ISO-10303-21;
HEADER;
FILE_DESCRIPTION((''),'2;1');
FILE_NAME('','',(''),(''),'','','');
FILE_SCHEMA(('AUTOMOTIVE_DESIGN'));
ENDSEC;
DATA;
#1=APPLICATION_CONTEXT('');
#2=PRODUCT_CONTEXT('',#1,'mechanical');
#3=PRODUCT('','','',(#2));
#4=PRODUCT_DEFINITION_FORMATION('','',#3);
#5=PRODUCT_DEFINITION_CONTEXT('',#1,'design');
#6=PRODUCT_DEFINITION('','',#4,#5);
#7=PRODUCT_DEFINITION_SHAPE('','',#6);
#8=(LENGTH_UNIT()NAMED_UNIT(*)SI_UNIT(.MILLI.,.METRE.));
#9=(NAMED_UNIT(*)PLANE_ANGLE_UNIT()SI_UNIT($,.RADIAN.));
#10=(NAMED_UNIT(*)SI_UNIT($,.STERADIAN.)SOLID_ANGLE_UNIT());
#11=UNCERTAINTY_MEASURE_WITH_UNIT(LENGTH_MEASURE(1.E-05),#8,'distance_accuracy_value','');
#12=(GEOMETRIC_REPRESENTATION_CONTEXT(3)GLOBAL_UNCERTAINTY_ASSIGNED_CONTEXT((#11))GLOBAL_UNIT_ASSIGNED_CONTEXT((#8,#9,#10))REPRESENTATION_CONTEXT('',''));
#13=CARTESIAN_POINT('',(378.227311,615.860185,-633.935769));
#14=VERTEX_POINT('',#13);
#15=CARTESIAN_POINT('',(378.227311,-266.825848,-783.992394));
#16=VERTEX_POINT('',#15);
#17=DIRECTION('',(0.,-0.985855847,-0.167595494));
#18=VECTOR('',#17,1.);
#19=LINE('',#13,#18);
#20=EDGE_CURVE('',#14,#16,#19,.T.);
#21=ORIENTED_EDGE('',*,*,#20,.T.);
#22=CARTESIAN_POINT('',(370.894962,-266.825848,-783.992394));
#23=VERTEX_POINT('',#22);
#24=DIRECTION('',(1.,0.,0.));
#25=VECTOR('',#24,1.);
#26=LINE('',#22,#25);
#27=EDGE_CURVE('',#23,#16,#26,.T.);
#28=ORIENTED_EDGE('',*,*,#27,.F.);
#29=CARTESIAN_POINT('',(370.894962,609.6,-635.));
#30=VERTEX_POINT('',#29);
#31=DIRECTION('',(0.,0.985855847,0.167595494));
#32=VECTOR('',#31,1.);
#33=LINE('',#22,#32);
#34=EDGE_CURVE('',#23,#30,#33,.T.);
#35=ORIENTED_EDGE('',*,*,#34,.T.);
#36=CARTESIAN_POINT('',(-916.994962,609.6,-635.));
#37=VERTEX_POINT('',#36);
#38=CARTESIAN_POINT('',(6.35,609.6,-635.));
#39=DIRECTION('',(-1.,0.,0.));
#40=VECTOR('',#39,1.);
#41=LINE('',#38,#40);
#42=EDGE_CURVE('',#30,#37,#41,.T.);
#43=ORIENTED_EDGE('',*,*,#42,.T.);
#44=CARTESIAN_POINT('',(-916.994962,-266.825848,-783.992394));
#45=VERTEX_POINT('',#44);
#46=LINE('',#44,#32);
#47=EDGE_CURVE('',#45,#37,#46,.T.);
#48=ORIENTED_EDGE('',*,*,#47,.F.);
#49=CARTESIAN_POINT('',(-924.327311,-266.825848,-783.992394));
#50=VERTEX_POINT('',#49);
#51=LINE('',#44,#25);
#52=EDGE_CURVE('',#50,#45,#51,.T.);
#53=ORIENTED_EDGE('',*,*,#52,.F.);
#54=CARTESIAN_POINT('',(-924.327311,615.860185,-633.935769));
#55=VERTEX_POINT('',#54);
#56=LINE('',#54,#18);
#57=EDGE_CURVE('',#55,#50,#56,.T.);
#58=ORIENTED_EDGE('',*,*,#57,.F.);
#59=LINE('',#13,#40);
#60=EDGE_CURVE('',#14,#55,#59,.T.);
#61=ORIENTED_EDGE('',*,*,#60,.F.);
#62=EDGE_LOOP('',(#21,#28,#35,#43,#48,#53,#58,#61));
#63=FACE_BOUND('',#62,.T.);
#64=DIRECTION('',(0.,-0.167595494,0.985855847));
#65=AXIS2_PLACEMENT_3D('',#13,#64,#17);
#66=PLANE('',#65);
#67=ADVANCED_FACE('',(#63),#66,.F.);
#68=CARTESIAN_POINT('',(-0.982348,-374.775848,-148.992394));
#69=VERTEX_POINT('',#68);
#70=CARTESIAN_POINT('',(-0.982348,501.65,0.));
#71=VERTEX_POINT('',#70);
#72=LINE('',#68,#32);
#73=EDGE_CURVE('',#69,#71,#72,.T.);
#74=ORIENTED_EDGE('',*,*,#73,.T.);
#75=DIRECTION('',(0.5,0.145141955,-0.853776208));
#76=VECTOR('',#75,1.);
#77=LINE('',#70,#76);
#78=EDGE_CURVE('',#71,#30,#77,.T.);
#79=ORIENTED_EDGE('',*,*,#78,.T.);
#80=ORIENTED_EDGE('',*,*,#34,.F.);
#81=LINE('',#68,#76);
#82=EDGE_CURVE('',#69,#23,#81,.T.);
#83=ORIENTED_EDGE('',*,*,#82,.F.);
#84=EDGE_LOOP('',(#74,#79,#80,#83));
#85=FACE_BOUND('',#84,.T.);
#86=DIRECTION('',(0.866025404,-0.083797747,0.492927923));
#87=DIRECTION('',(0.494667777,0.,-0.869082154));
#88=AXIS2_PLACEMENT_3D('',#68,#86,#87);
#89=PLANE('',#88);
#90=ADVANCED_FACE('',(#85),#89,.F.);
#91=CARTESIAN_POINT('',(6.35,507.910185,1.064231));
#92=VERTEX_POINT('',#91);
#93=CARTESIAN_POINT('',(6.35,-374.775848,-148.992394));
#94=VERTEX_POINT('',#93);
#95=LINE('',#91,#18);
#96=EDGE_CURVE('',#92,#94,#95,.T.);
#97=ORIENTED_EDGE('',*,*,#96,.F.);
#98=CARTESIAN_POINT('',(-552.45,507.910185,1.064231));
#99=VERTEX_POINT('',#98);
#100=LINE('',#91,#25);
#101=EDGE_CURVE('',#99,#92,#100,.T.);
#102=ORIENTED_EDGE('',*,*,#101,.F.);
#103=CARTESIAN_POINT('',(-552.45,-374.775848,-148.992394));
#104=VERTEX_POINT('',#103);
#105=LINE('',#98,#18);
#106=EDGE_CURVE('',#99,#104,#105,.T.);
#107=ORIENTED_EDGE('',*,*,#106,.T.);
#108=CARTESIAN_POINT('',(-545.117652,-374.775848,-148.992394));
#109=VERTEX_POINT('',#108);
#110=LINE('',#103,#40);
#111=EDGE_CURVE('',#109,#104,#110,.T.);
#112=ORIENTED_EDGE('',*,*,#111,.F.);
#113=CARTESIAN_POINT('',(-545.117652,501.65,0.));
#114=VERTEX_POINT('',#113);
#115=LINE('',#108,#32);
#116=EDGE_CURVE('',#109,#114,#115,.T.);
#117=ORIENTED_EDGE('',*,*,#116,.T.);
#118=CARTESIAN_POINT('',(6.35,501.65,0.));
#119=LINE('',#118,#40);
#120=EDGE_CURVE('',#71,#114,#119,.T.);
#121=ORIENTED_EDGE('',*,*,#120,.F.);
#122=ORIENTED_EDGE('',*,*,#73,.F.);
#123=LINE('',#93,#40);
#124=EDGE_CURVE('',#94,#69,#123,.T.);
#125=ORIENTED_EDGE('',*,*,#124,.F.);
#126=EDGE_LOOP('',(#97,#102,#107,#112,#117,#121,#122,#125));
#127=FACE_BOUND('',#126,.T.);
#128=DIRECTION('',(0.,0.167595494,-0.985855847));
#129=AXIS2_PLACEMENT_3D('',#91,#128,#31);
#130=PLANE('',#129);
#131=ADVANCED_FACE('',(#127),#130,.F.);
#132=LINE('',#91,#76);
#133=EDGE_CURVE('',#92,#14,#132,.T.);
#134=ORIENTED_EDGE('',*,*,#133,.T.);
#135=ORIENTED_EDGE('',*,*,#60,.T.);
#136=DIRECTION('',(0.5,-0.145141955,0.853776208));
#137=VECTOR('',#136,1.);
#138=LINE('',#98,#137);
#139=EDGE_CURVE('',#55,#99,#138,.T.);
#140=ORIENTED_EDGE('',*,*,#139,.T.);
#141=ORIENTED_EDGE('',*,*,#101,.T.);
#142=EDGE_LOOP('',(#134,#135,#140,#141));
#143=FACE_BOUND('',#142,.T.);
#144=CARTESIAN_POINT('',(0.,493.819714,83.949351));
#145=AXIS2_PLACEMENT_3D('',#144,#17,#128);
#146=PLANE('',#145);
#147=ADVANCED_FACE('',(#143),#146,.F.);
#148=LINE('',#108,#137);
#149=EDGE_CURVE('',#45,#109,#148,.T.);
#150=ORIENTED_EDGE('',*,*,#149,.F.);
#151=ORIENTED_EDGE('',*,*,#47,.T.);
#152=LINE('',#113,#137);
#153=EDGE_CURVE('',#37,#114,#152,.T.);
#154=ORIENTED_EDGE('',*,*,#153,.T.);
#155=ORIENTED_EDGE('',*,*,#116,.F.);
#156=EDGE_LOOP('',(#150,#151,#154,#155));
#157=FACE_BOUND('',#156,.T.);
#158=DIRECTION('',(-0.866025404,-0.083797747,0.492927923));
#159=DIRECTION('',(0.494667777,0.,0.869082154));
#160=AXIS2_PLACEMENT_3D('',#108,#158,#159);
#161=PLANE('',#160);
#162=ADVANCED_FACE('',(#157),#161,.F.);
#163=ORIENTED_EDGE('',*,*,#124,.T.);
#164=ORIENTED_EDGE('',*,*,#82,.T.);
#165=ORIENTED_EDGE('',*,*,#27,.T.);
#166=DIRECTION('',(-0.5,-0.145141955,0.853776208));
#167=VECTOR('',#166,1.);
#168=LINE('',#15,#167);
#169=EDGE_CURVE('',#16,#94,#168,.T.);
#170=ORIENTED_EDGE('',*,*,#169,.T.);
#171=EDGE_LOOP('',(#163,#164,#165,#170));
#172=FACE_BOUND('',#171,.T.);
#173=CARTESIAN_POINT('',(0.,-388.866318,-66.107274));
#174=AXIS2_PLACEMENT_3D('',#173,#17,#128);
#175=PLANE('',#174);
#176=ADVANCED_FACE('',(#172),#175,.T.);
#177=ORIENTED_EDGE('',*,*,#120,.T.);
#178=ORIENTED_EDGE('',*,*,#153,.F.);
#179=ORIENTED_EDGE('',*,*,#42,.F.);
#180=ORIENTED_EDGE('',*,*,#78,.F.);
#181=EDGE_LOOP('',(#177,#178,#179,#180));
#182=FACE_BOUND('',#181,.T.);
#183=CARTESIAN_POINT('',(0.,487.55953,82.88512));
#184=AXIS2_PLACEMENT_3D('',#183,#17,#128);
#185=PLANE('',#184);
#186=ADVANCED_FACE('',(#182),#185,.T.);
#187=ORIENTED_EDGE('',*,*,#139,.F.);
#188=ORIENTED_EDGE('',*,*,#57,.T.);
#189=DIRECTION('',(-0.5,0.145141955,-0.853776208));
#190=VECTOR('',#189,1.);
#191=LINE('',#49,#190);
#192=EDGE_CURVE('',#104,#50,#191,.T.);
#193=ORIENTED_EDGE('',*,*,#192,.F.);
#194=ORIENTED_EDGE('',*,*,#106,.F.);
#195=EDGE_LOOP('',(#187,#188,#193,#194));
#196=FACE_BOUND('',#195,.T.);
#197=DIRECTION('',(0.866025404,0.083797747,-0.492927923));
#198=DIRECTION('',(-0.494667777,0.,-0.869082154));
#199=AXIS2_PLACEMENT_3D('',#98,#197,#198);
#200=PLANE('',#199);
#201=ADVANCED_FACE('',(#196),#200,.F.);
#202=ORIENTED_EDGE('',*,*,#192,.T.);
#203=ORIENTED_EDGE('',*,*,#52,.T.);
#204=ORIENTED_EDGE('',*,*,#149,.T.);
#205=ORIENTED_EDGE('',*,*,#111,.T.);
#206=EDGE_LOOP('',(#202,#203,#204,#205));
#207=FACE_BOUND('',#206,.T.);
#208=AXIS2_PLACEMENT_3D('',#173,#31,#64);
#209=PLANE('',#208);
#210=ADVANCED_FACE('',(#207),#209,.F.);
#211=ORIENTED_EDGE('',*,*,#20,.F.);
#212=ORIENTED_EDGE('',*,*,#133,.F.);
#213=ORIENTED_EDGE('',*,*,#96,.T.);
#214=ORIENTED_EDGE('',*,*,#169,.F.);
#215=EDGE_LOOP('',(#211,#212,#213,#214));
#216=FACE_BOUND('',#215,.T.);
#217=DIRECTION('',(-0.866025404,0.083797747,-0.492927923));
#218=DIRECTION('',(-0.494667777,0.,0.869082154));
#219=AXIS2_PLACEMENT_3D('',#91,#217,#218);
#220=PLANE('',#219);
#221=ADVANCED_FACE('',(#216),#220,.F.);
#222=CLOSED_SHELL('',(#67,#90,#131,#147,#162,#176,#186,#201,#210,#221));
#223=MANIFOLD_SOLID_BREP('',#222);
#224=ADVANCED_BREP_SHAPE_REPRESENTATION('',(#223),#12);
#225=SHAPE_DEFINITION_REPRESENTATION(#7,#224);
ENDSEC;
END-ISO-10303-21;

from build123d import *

# Parameters (mm, degrees)
BOSS_EXTRUDE1_DEPTH = 6.35
BOSS_EXTRUDE2_DEPTH = 6.35
CUT_EXTRUDE2_REACH  = 932.677
BOSS_EXTRUDE3_DEPTH = 889


with BuildPart() as part:
    # Sketch3 → Boss-Extrude1 (new body)
    with BuildSketch(Plane(origin=(0, 0, 0), x_dir=(0, 0, -1), z_dir=(1, 0, 0))):
        Polygon((0, 0), (635, 0), (635, 609.6), (0, 501.65), align=None)
    extrude(amount=BOSS_EXTRUDE1_DEPTH)

    # Sketch5 → Boss-Extrude2 (add)
    with BuildSketch(Plane(origin=(0, 487.559529595, 82.885120031), x_dir=(1, 0, 0), z_dir=(0, 0.985855847, 0.167595494))):
        Polygon((6.35, 84.074279532), (378.227310637, 728.184675737), (-924.327310637, 728.184675737), (-552.45, 84.074279532), align=None)
    extrude(amount=BOSS_EXTRUDE2_DEPTH)

    # Sketch10 → Cut-Extrude2 (cut, up to next)
    with BuildSketch(Plane(origin=(6.35, 0, 0), x_dir=(0, 0, -1), z_dir=(1, 0, 0)), mode=Mode.PRIVATE) as cut_extrude2_sk1:
        Polygon((0, 501.65), (0, 0), (635, 0), (635, 609.6), align=None)
    cut_extrude2_tool1 = extrude(cut_extrude2_sk1.sketch, amount=-CUT_EXTRUDE2_REACH, mode=Mode.PRIVATE) & part.part
    add(cut_extrude2_tool1.solids().sort_by_distance((6.35, 278.686381, -327.780952))[0], mode=Mode.SUBTRACT)

    # Sketch9 → Boss-Extrude3 (add)
    with BuildSketch(Plane(origin=(0, 487.559529595, 82.885120031), x_dir=(1, 0, 0), z_dir=(0, -0.985855847, -0.167595494))):
        Polygon((378.227310637, -728.184675737), (6.35, -84.074279532), (-0.982348419, -84.074279532), (370.894962218, -728.184675737), align=None)
        Polygon((-924.327310637, -728.184675737), (-552.45, -84.074279532), (-545.117651581, -84.074279532), (-916.994962218, -728.184675737), align=None)
    extrude(amount=BOSS_EXTRUDE3_DEPTH)


solid = part.part
